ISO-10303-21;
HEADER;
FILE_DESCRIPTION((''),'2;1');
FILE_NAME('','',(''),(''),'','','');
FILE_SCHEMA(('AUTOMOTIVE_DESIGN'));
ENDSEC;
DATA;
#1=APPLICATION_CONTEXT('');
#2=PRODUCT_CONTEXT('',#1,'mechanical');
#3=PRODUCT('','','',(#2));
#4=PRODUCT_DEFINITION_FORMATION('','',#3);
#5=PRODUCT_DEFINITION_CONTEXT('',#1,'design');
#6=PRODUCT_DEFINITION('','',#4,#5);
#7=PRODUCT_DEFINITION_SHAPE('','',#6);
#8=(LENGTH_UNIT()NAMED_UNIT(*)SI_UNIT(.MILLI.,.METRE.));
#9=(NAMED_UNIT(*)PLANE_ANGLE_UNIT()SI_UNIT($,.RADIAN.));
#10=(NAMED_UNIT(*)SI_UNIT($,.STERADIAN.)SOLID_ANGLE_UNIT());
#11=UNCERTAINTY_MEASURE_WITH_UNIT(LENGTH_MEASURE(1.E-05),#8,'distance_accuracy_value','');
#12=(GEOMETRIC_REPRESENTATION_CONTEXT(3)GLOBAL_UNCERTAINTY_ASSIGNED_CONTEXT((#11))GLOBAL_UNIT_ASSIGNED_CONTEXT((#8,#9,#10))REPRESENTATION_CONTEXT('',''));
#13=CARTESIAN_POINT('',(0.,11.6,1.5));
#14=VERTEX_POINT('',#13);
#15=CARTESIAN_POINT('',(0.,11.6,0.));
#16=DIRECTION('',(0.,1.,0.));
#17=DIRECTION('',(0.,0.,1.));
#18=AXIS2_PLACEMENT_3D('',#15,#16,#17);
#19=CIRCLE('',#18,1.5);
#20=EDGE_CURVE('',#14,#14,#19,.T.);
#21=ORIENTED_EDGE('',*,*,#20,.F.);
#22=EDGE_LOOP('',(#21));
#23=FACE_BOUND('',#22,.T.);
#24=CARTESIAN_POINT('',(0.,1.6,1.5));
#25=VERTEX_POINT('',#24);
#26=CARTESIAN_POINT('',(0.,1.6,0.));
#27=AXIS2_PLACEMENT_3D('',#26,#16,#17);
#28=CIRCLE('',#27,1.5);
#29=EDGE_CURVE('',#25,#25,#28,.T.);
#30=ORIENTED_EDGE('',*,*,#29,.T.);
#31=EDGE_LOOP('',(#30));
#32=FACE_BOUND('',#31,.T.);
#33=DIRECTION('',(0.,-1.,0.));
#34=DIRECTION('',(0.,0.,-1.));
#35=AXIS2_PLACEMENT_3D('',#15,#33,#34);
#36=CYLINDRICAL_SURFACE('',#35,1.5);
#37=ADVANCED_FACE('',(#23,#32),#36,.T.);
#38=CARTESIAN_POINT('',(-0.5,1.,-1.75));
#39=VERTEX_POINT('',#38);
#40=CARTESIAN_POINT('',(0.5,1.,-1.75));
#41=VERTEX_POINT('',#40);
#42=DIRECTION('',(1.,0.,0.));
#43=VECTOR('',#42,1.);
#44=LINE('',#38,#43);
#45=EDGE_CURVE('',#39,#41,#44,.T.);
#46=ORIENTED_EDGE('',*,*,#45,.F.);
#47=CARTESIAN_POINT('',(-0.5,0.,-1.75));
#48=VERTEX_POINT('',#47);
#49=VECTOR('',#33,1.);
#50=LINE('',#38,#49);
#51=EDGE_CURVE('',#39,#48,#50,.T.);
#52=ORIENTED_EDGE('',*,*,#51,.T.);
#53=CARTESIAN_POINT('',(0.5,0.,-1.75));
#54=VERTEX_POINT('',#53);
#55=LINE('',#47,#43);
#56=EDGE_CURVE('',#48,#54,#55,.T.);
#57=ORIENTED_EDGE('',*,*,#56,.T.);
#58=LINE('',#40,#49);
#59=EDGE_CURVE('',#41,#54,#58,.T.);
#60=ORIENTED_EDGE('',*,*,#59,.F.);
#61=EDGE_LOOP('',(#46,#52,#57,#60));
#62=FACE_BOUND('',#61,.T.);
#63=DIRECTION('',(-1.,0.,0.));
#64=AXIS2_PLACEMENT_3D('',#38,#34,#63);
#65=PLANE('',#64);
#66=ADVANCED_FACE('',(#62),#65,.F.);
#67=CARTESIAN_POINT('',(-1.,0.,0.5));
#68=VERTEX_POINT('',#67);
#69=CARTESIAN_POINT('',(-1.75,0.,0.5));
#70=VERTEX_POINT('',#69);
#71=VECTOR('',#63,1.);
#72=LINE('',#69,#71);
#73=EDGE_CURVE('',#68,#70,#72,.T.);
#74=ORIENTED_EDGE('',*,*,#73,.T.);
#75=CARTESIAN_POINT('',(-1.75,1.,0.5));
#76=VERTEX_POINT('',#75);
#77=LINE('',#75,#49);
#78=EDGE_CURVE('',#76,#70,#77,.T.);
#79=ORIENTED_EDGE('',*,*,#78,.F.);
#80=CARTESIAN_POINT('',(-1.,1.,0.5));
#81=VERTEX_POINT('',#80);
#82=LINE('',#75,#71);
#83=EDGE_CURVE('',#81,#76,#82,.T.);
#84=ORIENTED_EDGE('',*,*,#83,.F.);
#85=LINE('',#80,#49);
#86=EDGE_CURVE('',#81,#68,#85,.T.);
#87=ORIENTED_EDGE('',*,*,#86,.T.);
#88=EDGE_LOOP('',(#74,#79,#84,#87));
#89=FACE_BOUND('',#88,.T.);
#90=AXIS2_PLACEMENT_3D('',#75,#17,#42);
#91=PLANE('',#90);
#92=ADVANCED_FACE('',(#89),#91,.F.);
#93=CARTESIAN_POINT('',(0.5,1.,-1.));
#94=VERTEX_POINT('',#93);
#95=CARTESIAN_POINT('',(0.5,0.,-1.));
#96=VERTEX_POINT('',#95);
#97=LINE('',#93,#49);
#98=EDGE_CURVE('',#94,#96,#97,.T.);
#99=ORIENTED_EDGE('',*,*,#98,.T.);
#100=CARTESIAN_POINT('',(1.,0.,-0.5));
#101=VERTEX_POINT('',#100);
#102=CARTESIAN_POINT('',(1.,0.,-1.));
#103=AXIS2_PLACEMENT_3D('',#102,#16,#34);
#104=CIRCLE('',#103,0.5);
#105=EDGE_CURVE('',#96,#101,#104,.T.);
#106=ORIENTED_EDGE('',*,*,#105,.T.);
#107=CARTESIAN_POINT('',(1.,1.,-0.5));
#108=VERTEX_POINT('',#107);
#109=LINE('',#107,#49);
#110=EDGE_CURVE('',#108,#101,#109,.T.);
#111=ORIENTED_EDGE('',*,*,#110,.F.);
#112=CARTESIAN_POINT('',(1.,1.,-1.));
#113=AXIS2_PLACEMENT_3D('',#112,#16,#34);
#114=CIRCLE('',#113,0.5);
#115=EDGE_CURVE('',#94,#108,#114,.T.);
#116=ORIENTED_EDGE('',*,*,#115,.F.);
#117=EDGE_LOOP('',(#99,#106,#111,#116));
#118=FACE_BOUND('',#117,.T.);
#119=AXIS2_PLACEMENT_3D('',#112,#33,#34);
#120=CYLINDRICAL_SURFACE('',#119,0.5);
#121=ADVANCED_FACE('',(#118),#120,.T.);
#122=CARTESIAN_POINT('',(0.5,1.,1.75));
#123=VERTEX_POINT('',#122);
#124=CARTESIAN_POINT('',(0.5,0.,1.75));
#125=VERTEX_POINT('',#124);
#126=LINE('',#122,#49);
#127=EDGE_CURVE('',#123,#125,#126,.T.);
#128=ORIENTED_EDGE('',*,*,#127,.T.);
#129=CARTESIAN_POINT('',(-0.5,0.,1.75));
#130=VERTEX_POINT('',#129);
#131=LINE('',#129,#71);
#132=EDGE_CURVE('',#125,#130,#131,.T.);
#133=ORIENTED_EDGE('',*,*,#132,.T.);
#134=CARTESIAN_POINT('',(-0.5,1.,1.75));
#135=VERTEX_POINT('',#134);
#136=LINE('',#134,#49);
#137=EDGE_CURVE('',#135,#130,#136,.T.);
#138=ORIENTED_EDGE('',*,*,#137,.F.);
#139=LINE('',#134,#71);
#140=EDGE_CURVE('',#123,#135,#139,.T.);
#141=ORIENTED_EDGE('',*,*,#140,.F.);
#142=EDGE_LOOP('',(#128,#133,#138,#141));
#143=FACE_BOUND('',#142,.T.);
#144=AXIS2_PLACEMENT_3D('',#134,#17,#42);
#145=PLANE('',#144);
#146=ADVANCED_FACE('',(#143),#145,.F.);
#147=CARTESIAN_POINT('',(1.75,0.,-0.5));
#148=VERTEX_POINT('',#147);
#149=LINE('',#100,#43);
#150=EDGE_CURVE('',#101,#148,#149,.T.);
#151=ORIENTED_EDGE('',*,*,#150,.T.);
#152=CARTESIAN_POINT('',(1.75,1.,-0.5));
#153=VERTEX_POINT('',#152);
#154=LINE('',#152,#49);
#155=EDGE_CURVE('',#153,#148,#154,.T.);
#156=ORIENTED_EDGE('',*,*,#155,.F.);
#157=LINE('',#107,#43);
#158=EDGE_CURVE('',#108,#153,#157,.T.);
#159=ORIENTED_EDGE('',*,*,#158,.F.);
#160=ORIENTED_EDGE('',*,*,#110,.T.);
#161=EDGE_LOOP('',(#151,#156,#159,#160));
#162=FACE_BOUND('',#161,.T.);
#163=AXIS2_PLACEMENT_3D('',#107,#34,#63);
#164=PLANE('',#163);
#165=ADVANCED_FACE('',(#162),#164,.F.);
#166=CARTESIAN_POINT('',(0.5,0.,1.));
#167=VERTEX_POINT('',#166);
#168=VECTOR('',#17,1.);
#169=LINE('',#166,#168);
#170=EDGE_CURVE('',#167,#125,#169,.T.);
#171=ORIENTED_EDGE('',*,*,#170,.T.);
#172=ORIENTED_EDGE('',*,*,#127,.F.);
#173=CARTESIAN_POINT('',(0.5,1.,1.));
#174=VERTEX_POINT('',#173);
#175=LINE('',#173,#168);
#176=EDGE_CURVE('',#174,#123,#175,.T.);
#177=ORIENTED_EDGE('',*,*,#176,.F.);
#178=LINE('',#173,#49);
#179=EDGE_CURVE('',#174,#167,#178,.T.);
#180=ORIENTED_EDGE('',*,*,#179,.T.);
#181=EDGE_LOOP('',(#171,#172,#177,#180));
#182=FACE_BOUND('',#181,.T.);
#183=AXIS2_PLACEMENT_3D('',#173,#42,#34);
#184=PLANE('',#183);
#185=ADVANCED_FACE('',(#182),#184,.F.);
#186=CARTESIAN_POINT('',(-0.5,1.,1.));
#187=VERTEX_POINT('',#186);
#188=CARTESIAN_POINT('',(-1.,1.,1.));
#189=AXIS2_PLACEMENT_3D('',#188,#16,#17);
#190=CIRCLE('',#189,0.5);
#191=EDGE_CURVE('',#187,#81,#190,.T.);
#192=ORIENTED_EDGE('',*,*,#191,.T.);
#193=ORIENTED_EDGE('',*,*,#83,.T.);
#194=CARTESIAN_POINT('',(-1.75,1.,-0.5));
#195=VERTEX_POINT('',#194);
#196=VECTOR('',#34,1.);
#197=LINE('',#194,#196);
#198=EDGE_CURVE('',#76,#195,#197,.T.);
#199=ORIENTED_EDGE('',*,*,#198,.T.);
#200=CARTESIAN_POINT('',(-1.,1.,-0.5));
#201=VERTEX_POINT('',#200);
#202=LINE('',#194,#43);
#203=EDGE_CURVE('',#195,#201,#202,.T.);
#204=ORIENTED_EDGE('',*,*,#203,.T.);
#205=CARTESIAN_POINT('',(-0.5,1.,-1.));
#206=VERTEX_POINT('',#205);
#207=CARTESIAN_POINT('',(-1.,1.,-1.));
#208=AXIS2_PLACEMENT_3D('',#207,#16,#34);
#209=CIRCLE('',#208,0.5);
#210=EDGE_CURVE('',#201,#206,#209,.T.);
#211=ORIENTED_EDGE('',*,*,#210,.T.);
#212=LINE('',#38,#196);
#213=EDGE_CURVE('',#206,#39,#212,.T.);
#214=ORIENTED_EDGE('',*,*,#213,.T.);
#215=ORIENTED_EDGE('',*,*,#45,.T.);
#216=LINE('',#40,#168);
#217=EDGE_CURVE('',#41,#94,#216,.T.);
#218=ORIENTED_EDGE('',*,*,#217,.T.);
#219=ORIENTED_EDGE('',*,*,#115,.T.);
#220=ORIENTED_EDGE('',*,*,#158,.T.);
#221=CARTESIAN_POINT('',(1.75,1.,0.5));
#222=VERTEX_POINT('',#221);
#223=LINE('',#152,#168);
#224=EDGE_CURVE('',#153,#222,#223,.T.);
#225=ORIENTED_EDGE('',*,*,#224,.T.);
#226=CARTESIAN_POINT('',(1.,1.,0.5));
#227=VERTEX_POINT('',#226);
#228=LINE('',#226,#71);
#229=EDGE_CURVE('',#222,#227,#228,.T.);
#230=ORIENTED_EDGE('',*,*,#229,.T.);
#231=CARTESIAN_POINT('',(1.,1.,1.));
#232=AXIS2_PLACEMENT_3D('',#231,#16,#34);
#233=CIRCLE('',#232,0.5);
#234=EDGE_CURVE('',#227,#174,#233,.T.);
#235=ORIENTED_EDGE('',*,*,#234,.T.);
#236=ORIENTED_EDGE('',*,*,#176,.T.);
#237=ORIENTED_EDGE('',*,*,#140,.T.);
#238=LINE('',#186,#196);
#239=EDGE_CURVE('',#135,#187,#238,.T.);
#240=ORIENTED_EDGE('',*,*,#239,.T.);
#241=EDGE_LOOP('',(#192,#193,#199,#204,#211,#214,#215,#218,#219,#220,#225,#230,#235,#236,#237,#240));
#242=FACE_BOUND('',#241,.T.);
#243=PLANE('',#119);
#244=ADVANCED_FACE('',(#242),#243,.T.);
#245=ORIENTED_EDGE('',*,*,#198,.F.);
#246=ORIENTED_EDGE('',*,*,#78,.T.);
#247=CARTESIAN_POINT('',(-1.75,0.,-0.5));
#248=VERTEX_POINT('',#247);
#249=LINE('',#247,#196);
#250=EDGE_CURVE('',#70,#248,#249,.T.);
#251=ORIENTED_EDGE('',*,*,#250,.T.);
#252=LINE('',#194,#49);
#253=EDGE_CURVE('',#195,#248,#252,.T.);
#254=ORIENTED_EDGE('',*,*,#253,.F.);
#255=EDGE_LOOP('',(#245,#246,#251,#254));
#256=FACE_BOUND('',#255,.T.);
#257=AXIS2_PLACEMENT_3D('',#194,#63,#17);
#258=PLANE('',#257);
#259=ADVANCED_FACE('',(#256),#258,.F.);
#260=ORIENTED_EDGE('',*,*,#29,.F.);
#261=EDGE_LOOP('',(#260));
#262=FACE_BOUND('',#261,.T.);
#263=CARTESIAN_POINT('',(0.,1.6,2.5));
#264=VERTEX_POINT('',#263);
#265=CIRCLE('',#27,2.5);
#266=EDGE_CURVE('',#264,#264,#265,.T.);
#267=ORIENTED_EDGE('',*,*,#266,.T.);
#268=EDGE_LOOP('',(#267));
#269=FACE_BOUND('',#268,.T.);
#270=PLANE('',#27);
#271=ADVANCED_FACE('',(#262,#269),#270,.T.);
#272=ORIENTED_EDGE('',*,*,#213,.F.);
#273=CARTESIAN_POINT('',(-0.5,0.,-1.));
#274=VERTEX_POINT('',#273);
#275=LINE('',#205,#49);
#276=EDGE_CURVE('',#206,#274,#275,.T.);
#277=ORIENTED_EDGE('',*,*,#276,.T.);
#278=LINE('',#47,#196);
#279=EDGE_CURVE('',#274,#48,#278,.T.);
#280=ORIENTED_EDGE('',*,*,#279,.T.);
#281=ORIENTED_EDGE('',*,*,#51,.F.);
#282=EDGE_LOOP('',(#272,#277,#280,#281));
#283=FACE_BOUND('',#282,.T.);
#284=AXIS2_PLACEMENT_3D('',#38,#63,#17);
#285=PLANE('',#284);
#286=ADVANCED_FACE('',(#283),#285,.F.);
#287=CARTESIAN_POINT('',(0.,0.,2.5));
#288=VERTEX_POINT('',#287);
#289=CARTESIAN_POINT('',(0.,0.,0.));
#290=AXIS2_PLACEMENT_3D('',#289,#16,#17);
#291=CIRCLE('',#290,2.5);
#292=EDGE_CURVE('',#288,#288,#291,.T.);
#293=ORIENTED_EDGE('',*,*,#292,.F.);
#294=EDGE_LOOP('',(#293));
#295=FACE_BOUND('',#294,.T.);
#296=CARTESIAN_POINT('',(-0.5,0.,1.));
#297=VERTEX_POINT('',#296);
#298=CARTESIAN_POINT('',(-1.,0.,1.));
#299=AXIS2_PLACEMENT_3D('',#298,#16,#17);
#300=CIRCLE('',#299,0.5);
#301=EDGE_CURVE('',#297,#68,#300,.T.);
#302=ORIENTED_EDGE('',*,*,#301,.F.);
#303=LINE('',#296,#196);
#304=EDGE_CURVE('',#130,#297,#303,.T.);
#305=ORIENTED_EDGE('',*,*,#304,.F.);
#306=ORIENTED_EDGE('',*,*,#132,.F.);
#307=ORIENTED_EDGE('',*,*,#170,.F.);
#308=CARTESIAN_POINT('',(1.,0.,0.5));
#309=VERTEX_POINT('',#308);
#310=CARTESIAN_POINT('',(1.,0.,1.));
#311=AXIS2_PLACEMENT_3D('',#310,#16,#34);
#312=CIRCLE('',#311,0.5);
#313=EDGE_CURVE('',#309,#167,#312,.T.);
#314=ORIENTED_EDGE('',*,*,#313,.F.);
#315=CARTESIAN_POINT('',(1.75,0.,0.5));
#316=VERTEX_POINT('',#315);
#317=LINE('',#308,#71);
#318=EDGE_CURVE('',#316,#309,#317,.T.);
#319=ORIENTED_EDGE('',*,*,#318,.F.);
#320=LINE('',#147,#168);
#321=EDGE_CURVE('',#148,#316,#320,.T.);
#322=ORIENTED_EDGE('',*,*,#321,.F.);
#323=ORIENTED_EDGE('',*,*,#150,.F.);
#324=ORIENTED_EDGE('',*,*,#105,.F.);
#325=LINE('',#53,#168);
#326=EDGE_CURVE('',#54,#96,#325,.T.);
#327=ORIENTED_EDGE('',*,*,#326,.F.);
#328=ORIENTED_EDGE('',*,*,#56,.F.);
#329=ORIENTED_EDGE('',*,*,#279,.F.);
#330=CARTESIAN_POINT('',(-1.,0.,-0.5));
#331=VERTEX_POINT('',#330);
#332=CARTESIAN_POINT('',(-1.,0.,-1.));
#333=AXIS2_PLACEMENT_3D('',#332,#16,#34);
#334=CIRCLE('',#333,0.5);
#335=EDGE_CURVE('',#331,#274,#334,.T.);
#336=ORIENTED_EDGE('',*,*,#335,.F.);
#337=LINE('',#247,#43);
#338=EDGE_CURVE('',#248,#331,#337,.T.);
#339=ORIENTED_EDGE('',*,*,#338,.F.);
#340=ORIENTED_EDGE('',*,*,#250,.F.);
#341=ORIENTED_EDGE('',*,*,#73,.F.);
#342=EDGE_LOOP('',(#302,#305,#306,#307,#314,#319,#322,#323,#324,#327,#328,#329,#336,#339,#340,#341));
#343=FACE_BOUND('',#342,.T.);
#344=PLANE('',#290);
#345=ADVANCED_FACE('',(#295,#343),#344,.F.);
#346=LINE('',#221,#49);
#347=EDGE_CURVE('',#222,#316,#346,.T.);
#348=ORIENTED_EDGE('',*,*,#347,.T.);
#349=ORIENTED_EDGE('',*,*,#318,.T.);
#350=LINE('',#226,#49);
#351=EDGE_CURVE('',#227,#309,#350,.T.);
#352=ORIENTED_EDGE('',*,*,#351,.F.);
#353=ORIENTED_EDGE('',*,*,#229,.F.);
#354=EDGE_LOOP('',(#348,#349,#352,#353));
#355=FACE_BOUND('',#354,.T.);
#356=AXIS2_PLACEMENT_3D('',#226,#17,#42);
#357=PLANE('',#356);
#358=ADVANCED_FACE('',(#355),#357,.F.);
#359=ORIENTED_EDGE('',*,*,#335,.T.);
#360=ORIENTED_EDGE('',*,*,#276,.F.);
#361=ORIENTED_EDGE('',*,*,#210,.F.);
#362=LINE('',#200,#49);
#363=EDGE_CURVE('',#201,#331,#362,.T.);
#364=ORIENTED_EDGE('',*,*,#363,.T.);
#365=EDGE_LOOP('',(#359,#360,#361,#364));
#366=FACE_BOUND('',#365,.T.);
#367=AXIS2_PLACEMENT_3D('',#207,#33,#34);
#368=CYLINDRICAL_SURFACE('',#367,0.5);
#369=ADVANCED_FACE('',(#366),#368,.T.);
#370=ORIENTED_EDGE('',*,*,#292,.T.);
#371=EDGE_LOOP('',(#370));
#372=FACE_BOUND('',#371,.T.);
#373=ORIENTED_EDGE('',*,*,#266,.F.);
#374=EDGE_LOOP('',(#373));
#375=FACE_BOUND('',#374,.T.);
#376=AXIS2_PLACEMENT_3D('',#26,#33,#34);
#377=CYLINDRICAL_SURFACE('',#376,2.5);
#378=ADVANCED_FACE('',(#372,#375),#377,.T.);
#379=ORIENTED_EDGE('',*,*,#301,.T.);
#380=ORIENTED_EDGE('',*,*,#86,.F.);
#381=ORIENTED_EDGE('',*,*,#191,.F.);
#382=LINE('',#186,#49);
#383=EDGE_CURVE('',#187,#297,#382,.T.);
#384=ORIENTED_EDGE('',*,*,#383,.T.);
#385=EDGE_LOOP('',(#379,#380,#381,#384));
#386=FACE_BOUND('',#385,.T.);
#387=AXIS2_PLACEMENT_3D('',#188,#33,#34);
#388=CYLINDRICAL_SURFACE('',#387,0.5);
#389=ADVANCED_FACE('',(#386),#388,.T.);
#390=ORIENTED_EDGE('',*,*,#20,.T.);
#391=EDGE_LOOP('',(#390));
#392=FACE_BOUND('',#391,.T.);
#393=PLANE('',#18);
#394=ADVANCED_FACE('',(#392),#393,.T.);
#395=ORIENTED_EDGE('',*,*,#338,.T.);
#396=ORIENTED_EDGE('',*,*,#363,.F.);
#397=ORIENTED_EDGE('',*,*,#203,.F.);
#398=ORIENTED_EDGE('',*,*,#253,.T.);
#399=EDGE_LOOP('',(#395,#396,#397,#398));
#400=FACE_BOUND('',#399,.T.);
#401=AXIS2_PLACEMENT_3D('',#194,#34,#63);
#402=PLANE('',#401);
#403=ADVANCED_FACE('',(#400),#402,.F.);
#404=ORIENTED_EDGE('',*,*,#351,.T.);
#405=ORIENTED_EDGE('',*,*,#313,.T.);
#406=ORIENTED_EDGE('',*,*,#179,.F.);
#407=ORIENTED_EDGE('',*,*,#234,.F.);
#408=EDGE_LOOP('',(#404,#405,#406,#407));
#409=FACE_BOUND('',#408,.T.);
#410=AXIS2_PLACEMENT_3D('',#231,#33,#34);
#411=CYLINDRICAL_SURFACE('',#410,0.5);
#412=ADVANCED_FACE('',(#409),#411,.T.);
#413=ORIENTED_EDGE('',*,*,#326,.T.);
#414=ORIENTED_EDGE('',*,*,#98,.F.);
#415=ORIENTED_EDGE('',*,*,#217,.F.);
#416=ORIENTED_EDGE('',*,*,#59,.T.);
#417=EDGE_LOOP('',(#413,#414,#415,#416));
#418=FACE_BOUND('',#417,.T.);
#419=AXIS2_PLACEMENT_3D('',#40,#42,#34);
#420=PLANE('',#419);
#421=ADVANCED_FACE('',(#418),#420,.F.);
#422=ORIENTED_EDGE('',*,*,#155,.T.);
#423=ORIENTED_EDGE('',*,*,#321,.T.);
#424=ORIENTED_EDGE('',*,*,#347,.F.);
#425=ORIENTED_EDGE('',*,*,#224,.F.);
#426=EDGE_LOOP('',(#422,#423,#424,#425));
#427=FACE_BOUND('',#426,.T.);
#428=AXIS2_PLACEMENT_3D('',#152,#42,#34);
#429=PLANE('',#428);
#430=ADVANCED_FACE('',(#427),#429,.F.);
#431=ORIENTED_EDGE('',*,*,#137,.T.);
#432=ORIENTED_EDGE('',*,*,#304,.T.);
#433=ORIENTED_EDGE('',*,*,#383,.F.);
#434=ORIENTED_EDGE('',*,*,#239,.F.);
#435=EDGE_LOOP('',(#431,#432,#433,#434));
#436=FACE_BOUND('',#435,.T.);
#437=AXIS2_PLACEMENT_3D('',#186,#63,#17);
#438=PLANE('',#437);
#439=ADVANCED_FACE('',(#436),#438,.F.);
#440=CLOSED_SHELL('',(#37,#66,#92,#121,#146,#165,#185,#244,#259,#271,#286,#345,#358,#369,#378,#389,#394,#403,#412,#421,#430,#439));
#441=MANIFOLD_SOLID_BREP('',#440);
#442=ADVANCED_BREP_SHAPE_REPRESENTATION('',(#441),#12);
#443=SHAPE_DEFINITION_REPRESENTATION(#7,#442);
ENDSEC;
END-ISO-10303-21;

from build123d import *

# Parameters (mm, degrees)
SKETCH_1_R          = 2.5
EXTRUDE_1_DEPTH     = 1.6
SKETCH_2_R          = 1.5
EXTRUDE_2_DEPTH     = 10
CUT_EXTRUDE_1_DEPTH = 1


with BuildPart() as part:
    # 草图1 → 凸台-拉伸1 (new body)
    with BuildSketch(Plane(origin=(0, 0, 0), x_dir=(1, 0, 0), z_dir=(0, 1, 0))):
        Circle(SKETCH_1_R)
    extrude(amount=EXTRUDE_1_DEPTH)

    # 草图2 → 凸台-拉伸2 (add)
    with BuildSketch(Plane(origin=(0, 1.6, 0), x_dir=(1, 0, 0), z_dir=(0, 1, 0))):
        Circle(SKETCH_2_R)
    extrude(amount=EXTRUDE_2_DEPTH)

    # 草图3 → 切除-拉伸1 (cut)
    with BuildSketch(Plane.XZ):
        with BuildLine():
            Line((-0.5, 1), (-0.5, 1.75))
            Line((-0.5, 1.75), (0.5, 1.75))
            Line((0.5, 1.75), (0.5, 1))
            ThreePointArc((0.5, 1), (0.646446609, 0.646446609), (1, 0.5))
            Line((1, 0.5), (1.75, 0.5))
            Line((1.75, 0.5), (1.75, -0.5))
            Line((1.75, -0.5), (1, -0.5))
            ThreePointArc((1, -0.5), (0.646446609, -0.646446609), (0.5, -1))
            Line((0.5, -1), (0.5, -1.75))
            Line((0.5, -1.75), (-0.5, -1.75))
            Line((-0.5, -1.75), (-0.5, -1))
            ThreePointArc((-0.5, -1), (-0.646446609, -0.646446609), (-1, -0.5))
            Line((-1, -0.5), (-1.75, -0.5))
            Line((-1.75, -0.5), (-1.75, 0.5))
            Line((-1.75, 0.5), (-1, 0.5))
            ThreePointArc((-1, 0.5), (-0.646446609, 0.646446609), (-0.5, 1))
        make_face()
    extrude(amount=-CUT_EXTRUDE_1_DEPTH, mode=Mode.SUBTRACT)


solid = part.part
